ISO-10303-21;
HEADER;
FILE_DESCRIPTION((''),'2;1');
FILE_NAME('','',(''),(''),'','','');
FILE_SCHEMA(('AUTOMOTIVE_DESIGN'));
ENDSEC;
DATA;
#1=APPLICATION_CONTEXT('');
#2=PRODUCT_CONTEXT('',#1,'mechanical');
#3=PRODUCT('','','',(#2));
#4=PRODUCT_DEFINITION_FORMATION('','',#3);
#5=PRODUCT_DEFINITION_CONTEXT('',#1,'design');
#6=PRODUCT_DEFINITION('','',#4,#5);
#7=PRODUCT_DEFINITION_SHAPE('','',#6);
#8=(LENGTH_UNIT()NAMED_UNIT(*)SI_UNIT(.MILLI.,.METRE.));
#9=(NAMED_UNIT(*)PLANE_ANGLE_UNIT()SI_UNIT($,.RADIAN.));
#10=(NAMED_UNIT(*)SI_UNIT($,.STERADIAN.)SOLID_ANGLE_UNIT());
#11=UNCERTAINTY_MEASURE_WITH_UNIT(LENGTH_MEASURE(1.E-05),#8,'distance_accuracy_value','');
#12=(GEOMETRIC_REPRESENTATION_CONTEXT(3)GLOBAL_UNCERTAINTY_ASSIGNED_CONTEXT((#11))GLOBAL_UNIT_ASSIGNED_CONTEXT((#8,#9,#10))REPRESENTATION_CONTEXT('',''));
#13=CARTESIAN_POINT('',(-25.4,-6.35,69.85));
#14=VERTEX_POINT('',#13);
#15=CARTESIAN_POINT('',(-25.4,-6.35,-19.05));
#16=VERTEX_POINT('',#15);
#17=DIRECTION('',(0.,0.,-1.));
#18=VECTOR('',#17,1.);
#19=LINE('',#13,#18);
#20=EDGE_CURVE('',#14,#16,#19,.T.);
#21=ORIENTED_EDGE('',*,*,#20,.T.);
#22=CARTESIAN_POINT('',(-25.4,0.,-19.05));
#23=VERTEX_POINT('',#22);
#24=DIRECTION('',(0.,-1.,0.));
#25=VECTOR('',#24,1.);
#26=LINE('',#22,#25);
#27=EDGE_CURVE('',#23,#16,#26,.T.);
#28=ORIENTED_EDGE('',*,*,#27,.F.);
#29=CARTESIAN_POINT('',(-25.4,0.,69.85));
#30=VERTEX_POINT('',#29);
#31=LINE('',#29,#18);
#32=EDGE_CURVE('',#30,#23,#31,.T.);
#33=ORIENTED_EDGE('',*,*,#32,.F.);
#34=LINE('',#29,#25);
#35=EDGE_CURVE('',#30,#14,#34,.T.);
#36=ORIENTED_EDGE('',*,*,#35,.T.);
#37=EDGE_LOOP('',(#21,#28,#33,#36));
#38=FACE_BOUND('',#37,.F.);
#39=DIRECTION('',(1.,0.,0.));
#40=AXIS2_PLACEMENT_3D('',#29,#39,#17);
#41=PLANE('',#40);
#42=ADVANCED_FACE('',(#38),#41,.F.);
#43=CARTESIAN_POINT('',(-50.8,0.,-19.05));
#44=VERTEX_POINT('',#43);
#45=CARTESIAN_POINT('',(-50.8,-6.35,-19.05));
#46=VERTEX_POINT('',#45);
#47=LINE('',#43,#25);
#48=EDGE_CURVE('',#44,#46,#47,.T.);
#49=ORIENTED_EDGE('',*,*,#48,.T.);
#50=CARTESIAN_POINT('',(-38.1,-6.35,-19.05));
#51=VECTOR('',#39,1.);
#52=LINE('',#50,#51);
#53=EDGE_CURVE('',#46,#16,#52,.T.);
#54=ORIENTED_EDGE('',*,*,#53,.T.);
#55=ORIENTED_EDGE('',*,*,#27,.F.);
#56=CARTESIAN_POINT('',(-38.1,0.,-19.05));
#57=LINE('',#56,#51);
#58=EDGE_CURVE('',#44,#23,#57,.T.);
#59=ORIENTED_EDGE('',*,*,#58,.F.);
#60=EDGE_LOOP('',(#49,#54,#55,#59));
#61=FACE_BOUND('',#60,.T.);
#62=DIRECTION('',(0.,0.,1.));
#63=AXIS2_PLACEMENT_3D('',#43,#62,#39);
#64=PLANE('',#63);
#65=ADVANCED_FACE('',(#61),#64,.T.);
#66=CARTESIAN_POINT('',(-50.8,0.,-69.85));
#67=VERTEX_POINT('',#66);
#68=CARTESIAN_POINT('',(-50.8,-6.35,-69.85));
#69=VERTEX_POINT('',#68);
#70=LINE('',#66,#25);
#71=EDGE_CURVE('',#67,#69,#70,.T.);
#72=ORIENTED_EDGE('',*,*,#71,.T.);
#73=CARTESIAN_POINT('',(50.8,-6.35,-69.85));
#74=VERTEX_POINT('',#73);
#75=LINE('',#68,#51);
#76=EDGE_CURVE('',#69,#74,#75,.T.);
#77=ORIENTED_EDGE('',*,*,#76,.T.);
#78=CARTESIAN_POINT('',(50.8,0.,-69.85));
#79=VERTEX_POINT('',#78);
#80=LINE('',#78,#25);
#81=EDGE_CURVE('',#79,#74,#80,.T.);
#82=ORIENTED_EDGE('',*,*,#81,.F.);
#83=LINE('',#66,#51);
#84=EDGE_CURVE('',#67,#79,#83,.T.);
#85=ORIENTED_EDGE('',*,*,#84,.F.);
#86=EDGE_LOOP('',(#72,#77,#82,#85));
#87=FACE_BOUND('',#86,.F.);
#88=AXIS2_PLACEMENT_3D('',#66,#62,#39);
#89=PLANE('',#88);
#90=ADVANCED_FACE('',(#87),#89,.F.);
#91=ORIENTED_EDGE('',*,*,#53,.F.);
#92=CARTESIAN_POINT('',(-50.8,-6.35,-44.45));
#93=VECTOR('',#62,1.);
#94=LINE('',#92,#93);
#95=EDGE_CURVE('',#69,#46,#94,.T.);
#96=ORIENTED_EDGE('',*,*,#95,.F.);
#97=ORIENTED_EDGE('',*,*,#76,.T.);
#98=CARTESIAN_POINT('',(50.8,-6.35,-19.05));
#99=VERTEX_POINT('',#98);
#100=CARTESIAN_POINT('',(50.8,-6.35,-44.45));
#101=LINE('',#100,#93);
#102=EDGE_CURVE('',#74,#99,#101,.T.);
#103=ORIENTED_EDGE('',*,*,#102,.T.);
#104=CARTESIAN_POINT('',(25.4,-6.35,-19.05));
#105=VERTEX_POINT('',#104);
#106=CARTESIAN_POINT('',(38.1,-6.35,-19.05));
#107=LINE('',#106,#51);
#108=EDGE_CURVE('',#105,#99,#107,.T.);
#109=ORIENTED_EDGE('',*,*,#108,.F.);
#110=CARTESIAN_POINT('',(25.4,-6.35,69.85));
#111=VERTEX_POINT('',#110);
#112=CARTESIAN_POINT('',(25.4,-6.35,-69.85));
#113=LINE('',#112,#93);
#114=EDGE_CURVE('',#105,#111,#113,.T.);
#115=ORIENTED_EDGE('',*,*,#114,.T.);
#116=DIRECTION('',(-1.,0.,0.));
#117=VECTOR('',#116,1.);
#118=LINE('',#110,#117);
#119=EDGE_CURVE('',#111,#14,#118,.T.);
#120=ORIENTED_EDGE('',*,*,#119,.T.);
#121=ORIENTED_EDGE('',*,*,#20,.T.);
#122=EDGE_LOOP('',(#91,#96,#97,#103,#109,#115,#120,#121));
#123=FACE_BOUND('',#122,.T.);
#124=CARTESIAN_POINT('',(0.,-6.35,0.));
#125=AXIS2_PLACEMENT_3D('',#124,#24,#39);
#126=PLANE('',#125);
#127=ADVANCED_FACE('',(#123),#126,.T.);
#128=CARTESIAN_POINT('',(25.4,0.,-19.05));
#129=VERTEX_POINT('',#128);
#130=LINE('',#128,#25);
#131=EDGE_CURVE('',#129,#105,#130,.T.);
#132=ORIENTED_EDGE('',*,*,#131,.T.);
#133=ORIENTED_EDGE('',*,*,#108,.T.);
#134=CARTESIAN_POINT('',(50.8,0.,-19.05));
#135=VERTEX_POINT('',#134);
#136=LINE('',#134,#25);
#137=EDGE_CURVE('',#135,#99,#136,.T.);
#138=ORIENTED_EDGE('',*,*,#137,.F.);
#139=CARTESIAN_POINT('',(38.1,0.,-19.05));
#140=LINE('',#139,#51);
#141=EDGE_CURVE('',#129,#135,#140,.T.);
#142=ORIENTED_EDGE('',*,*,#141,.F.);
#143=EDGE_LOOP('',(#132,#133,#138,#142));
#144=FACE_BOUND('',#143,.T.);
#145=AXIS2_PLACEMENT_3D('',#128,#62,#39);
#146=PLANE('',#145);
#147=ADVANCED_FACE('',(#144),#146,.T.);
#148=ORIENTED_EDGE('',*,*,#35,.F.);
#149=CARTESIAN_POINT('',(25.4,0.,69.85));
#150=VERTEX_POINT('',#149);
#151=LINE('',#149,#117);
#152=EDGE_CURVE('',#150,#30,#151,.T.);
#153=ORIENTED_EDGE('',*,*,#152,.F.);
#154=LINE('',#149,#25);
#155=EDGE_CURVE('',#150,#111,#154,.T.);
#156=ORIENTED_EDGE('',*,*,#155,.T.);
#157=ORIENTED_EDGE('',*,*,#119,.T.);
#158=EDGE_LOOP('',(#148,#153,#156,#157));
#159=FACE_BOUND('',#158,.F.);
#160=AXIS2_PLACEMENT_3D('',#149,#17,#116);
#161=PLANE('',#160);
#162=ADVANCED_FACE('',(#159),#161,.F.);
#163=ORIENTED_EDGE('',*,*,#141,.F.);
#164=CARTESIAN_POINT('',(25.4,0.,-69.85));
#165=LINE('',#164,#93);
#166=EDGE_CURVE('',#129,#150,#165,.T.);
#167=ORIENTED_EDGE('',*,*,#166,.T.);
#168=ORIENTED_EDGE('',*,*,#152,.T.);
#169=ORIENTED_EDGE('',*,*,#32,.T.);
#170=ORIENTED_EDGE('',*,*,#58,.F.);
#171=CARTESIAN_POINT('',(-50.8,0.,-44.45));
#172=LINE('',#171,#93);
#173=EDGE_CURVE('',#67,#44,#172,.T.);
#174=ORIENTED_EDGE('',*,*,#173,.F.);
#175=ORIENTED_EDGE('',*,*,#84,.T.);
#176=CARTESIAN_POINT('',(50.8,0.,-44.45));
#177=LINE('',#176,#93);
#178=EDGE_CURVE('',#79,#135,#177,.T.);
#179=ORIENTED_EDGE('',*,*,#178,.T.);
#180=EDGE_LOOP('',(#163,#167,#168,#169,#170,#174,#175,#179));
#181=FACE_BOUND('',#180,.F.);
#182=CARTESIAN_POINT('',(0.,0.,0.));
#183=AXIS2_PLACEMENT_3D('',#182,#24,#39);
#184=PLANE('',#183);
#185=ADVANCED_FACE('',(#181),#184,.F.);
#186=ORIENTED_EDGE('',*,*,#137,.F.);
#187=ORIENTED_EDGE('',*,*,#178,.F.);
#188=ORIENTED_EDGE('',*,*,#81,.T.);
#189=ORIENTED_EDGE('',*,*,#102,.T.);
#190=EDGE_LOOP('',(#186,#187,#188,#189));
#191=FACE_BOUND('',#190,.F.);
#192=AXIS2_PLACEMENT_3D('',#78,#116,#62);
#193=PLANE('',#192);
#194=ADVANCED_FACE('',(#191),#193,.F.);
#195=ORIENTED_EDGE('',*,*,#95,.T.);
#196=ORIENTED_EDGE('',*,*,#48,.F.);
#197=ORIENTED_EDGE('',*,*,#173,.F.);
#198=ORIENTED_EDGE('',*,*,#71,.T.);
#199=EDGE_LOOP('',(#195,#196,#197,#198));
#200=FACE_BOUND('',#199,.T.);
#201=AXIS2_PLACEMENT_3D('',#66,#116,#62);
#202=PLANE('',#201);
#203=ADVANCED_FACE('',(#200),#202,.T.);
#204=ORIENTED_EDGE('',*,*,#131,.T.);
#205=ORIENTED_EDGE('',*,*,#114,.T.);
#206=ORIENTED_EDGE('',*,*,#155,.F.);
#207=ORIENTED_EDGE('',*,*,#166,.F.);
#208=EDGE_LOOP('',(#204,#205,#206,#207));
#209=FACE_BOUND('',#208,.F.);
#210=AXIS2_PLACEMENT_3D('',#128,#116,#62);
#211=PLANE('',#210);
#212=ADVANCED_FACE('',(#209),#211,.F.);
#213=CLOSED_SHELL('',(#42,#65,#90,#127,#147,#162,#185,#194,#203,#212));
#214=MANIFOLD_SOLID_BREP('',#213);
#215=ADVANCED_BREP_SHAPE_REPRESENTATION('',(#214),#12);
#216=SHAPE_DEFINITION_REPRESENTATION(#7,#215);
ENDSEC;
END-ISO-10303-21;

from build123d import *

# Parameters (mm, degrees)
F0_W     = 25.4
F0_H     = 50.8
F1_DEPTH = 6.35


with BuildPart() as f1:
    # F0 (on Front) → F1 (new body)
    with BuildSketch(Plane.XZ):
        Polygon((25.4, 69.85), (-25.4, 69.85), (-25.4, -19.05), (-25.4, -69.85), (25.4, -69.85), (25.4, -19.05), align=None)
        with Locations((-38.1, -44.45)):
            Rectangle(F0_W, F0_H)
        with Locations((38.1, -44.45)):
            Rectangle(F0_W, F0_H)
    extrude(amount=F1_DEPTH)


solid = f1.part
